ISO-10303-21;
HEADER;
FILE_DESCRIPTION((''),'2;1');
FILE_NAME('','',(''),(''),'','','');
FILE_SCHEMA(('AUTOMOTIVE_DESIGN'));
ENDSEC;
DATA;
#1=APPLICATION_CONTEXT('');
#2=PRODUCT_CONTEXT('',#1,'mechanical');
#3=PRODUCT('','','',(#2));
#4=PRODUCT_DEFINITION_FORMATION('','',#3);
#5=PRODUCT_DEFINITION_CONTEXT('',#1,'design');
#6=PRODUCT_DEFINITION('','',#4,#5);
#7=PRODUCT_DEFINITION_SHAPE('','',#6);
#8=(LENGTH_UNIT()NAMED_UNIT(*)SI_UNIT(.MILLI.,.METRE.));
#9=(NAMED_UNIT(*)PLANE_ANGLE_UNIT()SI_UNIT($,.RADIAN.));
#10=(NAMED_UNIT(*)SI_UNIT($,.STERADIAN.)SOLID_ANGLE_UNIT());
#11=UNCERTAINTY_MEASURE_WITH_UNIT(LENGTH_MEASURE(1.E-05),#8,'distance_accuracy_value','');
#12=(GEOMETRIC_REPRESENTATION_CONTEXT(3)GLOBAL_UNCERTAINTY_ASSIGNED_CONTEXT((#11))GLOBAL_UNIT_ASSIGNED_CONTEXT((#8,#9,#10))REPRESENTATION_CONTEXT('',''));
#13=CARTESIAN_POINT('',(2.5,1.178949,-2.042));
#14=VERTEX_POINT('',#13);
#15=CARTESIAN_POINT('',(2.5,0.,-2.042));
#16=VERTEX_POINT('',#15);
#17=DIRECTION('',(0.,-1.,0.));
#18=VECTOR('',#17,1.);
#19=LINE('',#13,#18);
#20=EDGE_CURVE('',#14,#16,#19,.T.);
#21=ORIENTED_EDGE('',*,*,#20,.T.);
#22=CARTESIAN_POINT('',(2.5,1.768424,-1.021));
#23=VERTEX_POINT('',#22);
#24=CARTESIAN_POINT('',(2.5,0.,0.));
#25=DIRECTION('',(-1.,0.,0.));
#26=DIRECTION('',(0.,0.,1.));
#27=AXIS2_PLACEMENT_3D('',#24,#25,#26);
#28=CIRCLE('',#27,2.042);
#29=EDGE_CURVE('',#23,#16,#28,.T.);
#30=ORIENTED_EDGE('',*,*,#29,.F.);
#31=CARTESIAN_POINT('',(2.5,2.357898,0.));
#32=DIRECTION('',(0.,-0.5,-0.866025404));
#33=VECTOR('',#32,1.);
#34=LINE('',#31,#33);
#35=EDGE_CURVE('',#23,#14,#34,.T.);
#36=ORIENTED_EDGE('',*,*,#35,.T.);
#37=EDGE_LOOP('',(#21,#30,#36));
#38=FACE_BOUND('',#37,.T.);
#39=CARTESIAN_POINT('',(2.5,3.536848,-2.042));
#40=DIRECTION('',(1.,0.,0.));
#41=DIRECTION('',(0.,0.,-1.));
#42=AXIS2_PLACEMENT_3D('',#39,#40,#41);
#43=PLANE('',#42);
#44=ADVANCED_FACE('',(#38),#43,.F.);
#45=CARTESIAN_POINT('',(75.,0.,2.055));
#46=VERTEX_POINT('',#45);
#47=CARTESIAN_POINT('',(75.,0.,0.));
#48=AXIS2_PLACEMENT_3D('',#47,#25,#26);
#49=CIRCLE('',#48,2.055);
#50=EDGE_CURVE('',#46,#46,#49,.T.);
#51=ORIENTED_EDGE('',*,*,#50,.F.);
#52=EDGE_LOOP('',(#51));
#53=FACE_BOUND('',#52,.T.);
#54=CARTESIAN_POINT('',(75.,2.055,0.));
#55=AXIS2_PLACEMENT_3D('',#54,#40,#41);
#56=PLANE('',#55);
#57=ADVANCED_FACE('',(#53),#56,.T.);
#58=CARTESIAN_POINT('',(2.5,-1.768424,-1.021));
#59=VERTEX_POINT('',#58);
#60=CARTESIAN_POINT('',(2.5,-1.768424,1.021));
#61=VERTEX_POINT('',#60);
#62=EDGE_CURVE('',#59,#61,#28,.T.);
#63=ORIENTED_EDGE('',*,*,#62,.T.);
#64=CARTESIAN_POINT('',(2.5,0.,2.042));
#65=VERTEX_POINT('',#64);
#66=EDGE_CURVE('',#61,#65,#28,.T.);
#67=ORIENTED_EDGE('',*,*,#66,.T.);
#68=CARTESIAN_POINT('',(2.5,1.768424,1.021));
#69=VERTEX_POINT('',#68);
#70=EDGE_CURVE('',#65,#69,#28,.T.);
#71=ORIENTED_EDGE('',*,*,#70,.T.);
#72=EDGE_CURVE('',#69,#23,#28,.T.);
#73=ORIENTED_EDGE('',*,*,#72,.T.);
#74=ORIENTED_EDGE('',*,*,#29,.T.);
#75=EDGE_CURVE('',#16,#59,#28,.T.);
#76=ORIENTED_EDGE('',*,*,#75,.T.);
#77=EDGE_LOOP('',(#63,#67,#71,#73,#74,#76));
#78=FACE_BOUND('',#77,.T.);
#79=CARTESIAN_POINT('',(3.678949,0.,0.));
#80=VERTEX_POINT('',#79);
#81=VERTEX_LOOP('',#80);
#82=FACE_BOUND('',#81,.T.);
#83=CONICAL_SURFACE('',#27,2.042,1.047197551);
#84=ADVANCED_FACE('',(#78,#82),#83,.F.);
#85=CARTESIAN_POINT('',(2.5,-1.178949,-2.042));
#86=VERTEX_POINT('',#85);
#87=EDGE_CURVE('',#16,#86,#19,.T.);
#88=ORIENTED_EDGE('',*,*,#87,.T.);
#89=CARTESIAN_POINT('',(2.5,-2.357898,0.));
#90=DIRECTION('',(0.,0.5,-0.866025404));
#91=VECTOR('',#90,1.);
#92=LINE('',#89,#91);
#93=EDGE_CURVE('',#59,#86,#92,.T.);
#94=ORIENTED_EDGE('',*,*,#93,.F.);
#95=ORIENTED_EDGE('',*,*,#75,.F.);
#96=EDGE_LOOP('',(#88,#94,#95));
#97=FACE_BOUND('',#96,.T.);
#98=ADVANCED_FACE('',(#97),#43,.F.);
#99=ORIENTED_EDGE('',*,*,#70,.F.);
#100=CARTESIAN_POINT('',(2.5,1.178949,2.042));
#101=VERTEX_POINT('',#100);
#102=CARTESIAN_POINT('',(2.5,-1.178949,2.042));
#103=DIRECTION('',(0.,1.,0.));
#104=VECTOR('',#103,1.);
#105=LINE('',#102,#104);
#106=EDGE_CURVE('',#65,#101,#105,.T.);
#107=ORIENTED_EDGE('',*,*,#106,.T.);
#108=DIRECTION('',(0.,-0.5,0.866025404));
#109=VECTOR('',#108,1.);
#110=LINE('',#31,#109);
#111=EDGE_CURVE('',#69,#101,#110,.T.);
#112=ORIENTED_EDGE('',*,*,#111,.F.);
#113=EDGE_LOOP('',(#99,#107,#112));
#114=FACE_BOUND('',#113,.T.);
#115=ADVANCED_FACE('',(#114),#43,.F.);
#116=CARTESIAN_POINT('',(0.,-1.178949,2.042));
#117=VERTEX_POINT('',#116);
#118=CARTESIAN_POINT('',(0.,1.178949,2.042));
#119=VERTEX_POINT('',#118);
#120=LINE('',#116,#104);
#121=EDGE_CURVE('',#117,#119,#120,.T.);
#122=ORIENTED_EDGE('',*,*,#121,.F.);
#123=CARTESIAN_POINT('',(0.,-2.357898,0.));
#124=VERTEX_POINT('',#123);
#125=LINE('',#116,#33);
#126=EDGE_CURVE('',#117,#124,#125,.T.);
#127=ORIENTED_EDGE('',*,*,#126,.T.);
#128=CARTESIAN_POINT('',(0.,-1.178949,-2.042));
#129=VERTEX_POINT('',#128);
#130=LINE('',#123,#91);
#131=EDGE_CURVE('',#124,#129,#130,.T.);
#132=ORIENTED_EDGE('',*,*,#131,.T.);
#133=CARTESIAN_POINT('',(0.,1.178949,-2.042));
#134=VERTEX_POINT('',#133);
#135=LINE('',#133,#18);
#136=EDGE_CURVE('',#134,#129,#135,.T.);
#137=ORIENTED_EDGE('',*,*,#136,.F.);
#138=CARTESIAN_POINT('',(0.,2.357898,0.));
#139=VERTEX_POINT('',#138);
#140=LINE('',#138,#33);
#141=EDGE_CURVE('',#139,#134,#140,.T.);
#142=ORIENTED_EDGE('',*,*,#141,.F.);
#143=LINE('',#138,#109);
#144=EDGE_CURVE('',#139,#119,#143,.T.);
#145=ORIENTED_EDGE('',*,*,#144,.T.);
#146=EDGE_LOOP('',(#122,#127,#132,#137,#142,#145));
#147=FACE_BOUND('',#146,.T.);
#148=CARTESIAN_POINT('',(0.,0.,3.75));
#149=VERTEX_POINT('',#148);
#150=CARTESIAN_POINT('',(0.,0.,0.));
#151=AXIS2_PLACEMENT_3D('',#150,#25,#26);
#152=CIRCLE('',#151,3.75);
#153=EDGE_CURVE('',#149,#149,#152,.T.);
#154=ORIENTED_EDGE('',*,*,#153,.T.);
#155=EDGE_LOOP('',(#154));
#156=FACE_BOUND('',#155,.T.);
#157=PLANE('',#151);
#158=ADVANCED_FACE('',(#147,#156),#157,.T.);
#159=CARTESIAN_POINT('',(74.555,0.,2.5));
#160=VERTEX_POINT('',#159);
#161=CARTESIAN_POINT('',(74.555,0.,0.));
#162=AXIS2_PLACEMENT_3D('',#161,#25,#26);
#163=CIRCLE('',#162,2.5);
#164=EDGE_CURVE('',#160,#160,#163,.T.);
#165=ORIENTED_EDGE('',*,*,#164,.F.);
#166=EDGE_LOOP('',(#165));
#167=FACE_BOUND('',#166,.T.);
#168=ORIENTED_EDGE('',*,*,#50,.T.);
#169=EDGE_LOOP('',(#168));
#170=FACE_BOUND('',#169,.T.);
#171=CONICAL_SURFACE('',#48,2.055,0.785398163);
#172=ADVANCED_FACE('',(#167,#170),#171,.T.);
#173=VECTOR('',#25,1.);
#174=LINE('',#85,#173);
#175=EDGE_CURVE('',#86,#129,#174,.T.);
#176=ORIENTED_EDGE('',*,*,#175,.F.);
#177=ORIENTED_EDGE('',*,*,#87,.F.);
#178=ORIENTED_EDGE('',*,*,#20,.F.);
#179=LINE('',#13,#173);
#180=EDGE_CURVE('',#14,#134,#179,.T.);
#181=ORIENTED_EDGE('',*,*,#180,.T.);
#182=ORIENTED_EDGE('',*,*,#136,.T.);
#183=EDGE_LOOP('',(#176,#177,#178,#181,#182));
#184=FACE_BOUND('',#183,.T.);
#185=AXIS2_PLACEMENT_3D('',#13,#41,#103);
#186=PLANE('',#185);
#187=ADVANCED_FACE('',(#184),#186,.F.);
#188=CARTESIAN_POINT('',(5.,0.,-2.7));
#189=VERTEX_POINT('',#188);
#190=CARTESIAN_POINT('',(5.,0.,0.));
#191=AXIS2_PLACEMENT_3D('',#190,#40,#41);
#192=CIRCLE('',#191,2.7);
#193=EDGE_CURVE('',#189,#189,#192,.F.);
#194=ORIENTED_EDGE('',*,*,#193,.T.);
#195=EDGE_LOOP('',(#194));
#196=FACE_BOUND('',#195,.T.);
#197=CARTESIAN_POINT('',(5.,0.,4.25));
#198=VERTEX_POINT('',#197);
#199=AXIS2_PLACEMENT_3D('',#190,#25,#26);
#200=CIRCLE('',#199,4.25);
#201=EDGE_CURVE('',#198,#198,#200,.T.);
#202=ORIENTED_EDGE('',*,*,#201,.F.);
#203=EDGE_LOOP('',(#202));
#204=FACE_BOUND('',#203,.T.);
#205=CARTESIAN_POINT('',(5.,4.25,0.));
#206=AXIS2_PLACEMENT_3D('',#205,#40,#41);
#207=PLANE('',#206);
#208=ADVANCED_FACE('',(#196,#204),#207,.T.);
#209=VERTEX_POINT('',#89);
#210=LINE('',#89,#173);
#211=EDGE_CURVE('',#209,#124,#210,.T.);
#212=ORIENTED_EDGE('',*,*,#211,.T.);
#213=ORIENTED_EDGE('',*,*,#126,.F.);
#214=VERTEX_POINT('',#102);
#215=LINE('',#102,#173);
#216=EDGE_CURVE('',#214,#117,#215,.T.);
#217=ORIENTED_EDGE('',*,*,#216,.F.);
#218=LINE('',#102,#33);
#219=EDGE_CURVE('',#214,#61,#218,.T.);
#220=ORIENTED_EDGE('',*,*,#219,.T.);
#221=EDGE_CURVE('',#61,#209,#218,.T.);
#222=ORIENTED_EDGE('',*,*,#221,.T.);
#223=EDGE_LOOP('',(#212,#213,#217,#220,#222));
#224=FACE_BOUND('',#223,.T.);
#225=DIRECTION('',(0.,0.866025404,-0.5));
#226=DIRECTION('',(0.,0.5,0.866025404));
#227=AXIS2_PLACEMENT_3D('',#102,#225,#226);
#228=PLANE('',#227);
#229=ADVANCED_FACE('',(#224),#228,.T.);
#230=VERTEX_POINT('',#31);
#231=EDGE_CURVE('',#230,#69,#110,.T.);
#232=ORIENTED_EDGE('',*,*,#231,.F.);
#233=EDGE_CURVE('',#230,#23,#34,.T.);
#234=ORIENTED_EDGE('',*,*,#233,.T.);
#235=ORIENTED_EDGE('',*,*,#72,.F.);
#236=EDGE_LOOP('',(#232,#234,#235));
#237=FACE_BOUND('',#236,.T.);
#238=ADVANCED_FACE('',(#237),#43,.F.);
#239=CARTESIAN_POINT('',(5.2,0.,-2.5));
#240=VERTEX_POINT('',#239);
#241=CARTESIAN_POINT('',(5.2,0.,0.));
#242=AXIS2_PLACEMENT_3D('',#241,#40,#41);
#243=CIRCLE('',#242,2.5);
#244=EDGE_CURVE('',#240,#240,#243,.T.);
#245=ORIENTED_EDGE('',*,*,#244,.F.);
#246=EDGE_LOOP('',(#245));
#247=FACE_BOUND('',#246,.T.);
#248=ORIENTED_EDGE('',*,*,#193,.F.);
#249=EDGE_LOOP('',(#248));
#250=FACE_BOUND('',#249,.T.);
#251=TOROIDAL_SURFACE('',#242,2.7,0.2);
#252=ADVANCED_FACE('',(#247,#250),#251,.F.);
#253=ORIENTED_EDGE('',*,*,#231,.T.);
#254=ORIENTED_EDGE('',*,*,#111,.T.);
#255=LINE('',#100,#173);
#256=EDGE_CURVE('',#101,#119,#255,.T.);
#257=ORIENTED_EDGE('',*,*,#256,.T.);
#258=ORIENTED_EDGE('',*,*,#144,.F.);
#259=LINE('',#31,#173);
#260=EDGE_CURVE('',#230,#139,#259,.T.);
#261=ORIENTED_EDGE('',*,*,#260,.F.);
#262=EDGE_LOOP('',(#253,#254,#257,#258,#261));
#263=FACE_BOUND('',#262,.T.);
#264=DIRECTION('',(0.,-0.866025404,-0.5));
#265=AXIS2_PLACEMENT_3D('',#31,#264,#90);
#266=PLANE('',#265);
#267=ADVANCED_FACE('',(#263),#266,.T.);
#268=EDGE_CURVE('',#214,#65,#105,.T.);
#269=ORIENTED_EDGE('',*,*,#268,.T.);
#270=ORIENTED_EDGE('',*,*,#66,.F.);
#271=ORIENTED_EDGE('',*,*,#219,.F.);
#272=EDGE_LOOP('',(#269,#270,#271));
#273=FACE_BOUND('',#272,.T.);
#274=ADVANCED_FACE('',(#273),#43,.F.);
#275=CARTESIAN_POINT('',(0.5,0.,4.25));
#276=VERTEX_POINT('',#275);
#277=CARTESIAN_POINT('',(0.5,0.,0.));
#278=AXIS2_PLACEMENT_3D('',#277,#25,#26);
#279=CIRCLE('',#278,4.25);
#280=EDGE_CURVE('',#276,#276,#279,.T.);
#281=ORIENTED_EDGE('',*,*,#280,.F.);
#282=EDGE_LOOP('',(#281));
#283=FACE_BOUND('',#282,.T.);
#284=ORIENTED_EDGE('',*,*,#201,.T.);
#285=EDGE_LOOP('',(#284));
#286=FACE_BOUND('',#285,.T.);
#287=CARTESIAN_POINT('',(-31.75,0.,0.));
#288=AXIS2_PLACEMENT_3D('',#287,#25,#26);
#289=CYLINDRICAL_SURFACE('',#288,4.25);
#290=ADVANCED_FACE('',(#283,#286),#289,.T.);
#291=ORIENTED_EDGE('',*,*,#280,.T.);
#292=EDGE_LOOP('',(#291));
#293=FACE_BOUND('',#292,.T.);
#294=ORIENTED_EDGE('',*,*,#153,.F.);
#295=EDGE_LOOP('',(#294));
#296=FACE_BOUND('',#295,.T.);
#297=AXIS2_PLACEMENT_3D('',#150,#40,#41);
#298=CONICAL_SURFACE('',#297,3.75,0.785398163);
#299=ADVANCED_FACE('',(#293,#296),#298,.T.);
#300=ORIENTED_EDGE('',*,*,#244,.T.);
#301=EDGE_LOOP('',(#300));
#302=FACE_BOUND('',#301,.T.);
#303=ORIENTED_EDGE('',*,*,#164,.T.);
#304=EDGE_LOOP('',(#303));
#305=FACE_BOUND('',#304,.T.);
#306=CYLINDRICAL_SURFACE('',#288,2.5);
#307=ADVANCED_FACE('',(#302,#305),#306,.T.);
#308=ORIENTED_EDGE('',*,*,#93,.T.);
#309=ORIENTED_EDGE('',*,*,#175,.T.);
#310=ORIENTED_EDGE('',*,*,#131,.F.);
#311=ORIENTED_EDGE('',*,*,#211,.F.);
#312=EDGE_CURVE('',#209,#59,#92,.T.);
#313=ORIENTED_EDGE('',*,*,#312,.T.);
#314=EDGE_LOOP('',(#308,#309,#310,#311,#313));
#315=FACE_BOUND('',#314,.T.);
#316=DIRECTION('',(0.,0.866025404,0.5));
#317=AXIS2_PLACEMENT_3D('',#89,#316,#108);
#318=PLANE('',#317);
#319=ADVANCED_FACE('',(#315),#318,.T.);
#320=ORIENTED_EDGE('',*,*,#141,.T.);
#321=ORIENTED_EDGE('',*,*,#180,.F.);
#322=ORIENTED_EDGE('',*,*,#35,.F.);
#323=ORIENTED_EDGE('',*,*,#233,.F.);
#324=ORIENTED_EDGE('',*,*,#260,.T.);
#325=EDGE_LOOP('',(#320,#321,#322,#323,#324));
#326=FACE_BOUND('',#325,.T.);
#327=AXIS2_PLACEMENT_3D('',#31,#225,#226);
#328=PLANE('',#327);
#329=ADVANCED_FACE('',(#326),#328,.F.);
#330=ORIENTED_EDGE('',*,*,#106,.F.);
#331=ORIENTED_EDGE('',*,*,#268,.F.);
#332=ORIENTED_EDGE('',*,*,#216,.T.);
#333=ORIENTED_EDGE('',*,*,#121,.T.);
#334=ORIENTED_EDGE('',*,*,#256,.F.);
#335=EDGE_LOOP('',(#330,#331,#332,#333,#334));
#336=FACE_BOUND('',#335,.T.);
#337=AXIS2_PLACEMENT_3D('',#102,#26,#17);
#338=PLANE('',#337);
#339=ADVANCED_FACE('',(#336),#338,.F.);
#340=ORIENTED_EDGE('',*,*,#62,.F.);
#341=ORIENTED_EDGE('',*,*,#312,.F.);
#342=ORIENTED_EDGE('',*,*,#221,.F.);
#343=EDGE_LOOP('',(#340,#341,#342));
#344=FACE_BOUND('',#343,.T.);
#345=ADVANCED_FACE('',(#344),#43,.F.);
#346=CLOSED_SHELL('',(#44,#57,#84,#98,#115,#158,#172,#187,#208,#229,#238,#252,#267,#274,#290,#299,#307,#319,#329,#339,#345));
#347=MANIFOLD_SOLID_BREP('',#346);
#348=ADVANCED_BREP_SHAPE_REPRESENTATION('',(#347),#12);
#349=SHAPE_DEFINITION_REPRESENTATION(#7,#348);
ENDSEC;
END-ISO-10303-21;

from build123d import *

# Parameters (mm, degrees)
FILLET1_R   = 0.2
HEX_2_DEPTH = 2.5


with BuildPart() as part:
    # BodySke → Base-Revolve (revolve)
    with BuildSketch(Plane.XY, mode=Mode.PRIVATE) as base_revolve_sk:
        Polygon((0, 0), (0, 3.75), (0.5, 4.25), (5, 4.25), (5, 2.5), (74.555, 2.5), (75, 2.055), (75, 0), align=None)
    revolve(base_revolve_sk.sketch.rotate(Axis((-31.75, 0, 0), (1, 0, 0)), 90), axis=Axis((-31.75, 0, 0), (1, 0, 0)))

    # Fillet1
    fillet1_edges = [part.edges().sort_by_distance(p)[0] for p in [
        (5, 0, -2.5),
    ]]
    fillet(fillet1_edges, radius=FILLET1_R)

    # Sketch2 → Hex-PreBroach (revolve, cut)
    with BuildSketch(Plane.XY, mode=Mode.PRIVATE) as hex_prebroach_sk:
        Polygon((0, 2.042), (2.5, 2.042), (3.67894925, 0), (0, 0), align=None)
    revolve(hex_prebroach_sk.sketch.rotate(Axis((0, 0, 0), (1, 0, 0)), 90), axis=Axis((0, 0, 0), (1, 0, 0)), mode=Mode.SUBTRACT)

    # Sketch3 → Hex 2 (cut)
    with BuildSketch(Plane(origin=(0, 0, 0), x_dir=(0, 0.500000000000001, 0.866025403784438), z_dir=(-1, 0, 0))):
        Polygon((1.17894925, 2.042), (-1.17894925, 2.042), (-2.357898499, 0), (-1.17894925, -2.042), (1.17894925, -2.042), (2.357898499, 0), align=None)
    extrude(amount=-HEX_2_DEPTH, mode=Mode.SUBTRACT)


solid = part.part
